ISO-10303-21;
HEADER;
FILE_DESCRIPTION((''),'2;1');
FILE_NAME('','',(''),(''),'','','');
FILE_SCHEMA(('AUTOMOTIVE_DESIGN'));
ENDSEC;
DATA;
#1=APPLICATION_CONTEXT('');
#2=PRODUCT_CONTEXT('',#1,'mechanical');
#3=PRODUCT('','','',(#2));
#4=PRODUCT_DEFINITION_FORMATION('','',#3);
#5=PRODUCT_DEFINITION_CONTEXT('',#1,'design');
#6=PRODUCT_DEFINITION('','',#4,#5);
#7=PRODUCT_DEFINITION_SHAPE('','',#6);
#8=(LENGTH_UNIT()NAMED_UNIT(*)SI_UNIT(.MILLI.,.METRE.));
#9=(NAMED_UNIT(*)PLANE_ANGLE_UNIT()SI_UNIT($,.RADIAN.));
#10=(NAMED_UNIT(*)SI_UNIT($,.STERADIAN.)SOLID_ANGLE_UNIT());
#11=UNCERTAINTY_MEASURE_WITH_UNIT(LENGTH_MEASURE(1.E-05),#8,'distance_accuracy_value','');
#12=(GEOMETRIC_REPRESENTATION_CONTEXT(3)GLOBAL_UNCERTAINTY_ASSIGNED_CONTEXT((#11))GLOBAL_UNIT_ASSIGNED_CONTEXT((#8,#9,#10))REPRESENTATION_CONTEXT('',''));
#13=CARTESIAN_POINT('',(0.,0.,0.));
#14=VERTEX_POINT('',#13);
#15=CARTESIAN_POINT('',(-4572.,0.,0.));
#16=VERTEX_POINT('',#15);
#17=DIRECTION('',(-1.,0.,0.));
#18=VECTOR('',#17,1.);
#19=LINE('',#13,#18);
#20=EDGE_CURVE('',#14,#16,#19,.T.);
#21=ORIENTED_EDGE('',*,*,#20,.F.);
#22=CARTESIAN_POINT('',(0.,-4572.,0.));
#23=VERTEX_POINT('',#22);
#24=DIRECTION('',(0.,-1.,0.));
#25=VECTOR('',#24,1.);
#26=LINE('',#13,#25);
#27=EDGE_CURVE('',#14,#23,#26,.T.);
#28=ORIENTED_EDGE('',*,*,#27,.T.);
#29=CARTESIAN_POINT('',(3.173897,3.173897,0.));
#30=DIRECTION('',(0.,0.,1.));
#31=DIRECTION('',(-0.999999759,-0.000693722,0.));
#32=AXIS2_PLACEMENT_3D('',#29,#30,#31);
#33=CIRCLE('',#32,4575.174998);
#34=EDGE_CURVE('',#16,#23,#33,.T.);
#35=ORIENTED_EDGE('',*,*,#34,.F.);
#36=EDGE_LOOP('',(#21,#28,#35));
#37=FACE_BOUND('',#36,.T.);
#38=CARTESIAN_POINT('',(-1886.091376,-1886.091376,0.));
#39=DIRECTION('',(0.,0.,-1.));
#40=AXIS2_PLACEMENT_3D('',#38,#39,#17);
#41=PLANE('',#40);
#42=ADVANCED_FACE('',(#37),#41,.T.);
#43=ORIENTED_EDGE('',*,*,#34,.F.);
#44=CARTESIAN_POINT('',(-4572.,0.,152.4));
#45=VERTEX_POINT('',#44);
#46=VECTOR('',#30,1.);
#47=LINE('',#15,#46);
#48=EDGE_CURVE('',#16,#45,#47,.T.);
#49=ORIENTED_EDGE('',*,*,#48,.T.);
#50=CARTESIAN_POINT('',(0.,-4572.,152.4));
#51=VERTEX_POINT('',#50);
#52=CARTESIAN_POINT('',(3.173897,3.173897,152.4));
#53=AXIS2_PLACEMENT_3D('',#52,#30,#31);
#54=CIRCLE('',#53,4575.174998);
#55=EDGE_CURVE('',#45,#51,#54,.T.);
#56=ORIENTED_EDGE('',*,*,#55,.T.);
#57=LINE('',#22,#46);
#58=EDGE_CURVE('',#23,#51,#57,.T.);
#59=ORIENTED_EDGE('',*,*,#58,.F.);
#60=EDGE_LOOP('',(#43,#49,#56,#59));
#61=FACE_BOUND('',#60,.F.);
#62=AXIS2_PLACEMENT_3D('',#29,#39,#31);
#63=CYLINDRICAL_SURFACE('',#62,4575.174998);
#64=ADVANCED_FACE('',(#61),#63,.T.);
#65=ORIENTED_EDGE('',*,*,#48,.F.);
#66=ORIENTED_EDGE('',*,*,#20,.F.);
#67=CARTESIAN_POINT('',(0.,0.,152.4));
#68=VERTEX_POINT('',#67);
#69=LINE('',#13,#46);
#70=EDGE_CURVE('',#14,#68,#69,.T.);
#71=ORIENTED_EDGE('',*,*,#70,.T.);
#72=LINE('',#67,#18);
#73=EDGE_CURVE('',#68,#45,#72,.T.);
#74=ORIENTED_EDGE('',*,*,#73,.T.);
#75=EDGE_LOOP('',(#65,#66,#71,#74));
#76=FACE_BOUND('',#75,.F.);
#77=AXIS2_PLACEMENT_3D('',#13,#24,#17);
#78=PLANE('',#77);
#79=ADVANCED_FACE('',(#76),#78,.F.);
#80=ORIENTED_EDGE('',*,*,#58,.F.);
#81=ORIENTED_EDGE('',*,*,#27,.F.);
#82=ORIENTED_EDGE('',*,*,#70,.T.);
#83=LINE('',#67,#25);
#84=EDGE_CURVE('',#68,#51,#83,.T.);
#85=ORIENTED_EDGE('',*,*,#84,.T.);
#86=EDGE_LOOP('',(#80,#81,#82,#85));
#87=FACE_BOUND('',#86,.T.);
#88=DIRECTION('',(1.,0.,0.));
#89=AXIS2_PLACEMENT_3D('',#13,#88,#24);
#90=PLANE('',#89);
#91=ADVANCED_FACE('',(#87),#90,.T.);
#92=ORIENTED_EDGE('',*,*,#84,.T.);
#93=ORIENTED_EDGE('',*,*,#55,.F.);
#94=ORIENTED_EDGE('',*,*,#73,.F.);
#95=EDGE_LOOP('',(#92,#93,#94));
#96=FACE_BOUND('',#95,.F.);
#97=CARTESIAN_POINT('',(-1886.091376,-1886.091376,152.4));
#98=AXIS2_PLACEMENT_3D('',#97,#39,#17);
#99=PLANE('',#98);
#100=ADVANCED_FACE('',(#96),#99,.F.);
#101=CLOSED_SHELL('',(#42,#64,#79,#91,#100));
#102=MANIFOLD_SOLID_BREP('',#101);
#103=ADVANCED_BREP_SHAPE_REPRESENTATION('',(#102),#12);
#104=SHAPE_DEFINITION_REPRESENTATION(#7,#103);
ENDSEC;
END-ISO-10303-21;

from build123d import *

# Parameters (mm, degrees)
PAD_DEPTH = 152.4


with BuildPart() as part:
    # Sketch → Pad (new body)
    with BuildSketch(Plane.XY):
        with BuildLine():
            Line((0, 0), (0, -4572))
            ThreePointArc((-4572, 0), (-3231.963369, -3231.963369), (0, -4572))
            Line((0, 0), (-4572, 0))
        make_face()
    extrude(amount=PAD_DEPTH)


solid = part.part
